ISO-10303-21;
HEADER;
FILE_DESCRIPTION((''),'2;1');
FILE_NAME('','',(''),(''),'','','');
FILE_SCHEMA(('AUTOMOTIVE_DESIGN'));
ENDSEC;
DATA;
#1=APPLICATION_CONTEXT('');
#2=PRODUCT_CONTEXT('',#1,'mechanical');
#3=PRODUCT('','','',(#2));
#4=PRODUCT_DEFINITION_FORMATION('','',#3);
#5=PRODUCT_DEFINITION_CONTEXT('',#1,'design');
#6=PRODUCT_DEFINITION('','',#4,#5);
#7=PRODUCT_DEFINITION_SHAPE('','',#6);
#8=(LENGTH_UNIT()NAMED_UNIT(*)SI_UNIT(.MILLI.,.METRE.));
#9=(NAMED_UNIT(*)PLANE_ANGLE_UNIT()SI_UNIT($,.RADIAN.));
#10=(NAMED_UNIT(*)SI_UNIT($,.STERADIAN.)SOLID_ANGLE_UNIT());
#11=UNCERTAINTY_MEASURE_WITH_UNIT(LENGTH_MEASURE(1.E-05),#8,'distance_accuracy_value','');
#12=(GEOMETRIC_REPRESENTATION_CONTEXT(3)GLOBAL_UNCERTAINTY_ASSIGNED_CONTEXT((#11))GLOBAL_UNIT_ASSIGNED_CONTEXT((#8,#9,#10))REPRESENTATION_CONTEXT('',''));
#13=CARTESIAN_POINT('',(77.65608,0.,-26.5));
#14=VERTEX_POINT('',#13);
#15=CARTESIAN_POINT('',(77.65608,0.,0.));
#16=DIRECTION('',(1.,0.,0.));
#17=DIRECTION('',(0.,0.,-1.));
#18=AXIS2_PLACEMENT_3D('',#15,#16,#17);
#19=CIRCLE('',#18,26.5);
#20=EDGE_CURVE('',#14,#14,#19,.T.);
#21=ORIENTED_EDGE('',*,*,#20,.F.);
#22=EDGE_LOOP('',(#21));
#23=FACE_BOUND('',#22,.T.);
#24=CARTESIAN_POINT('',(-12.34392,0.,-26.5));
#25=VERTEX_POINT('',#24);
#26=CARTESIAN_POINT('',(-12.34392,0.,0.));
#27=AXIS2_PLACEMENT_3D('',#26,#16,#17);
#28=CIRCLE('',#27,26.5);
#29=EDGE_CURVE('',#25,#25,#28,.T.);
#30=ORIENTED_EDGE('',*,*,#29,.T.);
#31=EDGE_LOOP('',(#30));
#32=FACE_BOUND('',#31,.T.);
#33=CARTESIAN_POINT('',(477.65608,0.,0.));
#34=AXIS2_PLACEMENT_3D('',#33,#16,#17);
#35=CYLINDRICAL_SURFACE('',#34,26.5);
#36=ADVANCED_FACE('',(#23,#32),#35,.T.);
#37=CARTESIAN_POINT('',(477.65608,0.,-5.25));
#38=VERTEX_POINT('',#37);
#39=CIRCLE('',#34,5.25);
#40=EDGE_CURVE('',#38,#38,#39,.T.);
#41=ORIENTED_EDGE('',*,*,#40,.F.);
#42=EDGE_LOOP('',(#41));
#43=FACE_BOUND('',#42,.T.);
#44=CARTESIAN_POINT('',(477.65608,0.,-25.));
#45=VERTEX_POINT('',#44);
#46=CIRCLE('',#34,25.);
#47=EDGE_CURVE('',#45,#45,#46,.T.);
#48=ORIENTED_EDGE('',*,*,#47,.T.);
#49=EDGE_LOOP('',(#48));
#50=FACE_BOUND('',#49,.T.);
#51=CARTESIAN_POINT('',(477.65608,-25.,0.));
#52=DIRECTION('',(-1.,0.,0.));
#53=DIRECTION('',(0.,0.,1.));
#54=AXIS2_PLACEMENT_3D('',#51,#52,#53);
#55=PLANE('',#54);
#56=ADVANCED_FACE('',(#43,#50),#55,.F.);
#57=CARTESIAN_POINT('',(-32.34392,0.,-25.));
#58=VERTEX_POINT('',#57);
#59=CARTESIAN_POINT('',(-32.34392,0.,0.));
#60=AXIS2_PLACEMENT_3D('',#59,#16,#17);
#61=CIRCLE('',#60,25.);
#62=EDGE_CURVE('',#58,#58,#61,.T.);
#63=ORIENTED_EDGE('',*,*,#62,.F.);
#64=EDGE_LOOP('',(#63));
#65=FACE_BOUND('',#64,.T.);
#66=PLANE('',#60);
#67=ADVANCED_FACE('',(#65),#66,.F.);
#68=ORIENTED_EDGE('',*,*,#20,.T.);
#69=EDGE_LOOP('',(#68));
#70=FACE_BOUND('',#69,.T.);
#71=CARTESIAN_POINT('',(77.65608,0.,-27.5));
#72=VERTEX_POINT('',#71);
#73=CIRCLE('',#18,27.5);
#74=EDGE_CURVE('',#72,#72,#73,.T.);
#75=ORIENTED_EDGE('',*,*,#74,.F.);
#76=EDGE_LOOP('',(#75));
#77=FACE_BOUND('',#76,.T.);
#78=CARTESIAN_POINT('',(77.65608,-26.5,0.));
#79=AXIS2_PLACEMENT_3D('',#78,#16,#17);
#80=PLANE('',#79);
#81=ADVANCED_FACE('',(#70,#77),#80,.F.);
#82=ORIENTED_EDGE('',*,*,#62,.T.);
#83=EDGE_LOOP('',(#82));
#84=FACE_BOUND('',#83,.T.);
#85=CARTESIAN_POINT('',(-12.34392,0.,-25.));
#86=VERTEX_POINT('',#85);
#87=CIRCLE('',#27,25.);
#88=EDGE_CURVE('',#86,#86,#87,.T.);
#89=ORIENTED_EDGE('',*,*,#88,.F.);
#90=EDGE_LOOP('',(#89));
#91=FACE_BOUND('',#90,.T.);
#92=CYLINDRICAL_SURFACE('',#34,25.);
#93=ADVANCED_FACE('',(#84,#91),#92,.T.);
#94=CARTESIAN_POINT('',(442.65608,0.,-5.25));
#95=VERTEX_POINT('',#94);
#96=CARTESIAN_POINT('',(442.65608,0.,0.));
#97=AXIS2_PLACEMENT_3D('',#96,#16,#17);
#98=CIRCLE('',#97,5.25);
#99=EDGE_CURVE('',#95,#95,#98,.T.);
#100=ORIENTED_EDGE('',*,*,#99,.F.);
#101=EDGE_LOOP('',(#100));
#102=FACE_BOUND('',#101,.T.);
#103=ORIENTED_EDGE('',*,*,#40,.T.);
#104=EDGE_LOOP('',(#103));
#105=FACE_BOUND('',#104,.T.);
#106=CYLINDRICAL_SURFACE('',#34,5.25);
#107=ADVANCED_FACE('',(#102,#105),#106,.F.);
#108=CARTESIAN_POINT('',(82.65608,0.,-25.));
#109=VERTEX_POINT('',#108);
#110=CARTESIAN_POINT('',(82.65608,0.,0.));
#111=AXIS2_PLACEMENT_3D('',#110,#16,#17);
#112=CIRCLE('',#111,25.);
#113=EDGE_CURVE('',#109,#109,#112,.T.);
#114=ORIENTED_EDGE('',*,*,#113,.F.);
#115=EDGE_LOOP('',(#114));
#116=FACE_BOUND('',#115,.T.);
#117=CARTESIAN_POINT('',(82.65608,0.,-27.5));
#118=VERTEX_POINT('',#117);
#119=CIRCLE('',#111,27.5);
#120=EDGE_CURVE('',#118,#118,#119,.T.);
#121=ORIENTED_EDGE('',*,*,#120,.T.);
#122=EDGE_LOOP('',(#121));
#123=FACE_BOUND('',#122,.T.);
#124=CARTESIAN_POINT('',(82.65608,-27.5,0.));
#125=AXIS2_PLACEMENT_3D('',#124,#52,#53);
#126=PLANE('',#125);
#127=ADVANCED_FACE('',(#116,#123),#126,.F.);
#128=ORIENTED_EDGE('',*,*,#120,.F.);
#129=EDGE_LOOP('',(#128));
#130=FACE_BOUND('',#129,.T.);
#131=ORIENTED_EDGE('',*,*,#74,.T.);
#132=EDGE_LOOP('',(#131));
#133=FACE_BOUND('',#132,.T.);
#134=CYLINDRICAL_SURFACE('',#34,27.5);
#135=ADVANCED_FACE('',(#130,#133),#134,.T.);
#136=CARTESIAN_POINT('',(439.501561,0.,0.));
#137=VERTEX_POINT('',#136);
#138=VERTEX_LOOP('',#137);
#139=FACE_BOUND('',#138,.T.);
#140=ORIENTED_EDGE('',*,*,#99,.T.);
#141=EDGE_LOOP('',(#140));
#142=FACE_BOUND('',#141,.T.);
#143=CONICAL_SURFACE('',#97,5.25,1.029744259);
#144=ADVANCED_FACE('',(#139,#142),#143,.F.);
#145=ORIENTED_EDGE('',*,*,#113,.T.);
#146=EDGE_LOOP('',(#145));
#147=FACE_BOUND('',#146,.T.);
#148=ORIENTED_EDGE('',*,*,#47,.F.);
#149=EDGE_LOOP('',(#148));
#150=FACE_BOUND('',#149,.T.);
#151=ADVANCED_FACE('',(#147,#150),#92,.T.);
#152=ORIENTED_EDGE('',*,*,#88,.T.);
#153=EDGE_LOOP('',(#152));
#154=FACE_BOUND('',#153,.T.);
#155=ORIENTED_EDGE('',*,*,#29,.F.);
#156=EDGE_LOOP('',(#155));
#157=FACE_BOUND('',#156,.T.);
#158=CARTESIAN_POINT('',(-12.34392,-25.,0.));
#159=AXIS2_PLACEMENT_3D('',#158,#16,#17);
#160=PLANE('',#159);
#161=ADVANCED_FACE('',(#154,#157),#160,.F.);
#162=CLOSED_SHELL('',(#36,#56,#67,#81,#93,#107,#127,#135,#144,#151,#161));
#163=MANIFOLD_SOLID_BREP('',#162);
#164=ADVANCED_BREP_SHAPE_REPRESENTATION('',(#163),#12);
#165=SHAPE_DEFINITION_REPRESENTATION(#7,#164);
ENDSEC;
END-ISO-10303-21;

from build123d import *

# Parameters (mm, degrees)
F_10_5_10_5_DIAMETER_HOLE1_D     = 10.5
F_10_5_10_5_DIAMETER_HOLE1_DEPTH = 35
F_10_5_10_5_DIAMETER_HOLE1_TIP   = 3.15451825


with BuildPart() as part:
    # Sketch1 → Revolve1 (revolve)
    with BuildSketch(Plane.XY, mode=Mode.PRIVATE) as revolve1_sk:
        Polygon((-32.34392041, -25), (-12.34392041, -25), (-12.34392041, -26.5), (77.65607959, -26.5), (77.65607959, -27.5), (82.65607959, -27.5), (82.65607959, -25), (477.65607959, -25), (477.65607959, 0), (-32.34392041, 0), align=None)
    revolve(revolve1_sk.sketch.rotate(Axis((477.65607959, 0, 0), (-1, 0, 0)), 270), axis=Axis((477.65607959, 0, 0), (-1, 0, 0)))

    # Ø10.5 (10.5) Diameter Hole1
    with Locations(Plane(origin=(477.65607959, 0, 0), x_dir=(0, 0, 1), z_dir=(1, 0, 0))):
        with Locations((0, 0)):
            Hole(F_10_5_10_5_DIAMETER_HOLE1_D / 2, depth=F_10_5_10_5_DIAMETER_HOLE1_DEPTH)
            with Locations((0, 0, -(F_10_5_10_5_DIAMETER_HOLE1_DEPTH + F_10_5_10_5_DIAMETER_HOLE1_TIP / 2))):  # 118° drill point
                Cone(0, F_10_5_10_5_DIAMETER_HOLE1_D / 2, F_10_5_10_5_DIAMETER_HOLE1_TIP, mode=Mode.SUBTRACT)


solid = part.part
